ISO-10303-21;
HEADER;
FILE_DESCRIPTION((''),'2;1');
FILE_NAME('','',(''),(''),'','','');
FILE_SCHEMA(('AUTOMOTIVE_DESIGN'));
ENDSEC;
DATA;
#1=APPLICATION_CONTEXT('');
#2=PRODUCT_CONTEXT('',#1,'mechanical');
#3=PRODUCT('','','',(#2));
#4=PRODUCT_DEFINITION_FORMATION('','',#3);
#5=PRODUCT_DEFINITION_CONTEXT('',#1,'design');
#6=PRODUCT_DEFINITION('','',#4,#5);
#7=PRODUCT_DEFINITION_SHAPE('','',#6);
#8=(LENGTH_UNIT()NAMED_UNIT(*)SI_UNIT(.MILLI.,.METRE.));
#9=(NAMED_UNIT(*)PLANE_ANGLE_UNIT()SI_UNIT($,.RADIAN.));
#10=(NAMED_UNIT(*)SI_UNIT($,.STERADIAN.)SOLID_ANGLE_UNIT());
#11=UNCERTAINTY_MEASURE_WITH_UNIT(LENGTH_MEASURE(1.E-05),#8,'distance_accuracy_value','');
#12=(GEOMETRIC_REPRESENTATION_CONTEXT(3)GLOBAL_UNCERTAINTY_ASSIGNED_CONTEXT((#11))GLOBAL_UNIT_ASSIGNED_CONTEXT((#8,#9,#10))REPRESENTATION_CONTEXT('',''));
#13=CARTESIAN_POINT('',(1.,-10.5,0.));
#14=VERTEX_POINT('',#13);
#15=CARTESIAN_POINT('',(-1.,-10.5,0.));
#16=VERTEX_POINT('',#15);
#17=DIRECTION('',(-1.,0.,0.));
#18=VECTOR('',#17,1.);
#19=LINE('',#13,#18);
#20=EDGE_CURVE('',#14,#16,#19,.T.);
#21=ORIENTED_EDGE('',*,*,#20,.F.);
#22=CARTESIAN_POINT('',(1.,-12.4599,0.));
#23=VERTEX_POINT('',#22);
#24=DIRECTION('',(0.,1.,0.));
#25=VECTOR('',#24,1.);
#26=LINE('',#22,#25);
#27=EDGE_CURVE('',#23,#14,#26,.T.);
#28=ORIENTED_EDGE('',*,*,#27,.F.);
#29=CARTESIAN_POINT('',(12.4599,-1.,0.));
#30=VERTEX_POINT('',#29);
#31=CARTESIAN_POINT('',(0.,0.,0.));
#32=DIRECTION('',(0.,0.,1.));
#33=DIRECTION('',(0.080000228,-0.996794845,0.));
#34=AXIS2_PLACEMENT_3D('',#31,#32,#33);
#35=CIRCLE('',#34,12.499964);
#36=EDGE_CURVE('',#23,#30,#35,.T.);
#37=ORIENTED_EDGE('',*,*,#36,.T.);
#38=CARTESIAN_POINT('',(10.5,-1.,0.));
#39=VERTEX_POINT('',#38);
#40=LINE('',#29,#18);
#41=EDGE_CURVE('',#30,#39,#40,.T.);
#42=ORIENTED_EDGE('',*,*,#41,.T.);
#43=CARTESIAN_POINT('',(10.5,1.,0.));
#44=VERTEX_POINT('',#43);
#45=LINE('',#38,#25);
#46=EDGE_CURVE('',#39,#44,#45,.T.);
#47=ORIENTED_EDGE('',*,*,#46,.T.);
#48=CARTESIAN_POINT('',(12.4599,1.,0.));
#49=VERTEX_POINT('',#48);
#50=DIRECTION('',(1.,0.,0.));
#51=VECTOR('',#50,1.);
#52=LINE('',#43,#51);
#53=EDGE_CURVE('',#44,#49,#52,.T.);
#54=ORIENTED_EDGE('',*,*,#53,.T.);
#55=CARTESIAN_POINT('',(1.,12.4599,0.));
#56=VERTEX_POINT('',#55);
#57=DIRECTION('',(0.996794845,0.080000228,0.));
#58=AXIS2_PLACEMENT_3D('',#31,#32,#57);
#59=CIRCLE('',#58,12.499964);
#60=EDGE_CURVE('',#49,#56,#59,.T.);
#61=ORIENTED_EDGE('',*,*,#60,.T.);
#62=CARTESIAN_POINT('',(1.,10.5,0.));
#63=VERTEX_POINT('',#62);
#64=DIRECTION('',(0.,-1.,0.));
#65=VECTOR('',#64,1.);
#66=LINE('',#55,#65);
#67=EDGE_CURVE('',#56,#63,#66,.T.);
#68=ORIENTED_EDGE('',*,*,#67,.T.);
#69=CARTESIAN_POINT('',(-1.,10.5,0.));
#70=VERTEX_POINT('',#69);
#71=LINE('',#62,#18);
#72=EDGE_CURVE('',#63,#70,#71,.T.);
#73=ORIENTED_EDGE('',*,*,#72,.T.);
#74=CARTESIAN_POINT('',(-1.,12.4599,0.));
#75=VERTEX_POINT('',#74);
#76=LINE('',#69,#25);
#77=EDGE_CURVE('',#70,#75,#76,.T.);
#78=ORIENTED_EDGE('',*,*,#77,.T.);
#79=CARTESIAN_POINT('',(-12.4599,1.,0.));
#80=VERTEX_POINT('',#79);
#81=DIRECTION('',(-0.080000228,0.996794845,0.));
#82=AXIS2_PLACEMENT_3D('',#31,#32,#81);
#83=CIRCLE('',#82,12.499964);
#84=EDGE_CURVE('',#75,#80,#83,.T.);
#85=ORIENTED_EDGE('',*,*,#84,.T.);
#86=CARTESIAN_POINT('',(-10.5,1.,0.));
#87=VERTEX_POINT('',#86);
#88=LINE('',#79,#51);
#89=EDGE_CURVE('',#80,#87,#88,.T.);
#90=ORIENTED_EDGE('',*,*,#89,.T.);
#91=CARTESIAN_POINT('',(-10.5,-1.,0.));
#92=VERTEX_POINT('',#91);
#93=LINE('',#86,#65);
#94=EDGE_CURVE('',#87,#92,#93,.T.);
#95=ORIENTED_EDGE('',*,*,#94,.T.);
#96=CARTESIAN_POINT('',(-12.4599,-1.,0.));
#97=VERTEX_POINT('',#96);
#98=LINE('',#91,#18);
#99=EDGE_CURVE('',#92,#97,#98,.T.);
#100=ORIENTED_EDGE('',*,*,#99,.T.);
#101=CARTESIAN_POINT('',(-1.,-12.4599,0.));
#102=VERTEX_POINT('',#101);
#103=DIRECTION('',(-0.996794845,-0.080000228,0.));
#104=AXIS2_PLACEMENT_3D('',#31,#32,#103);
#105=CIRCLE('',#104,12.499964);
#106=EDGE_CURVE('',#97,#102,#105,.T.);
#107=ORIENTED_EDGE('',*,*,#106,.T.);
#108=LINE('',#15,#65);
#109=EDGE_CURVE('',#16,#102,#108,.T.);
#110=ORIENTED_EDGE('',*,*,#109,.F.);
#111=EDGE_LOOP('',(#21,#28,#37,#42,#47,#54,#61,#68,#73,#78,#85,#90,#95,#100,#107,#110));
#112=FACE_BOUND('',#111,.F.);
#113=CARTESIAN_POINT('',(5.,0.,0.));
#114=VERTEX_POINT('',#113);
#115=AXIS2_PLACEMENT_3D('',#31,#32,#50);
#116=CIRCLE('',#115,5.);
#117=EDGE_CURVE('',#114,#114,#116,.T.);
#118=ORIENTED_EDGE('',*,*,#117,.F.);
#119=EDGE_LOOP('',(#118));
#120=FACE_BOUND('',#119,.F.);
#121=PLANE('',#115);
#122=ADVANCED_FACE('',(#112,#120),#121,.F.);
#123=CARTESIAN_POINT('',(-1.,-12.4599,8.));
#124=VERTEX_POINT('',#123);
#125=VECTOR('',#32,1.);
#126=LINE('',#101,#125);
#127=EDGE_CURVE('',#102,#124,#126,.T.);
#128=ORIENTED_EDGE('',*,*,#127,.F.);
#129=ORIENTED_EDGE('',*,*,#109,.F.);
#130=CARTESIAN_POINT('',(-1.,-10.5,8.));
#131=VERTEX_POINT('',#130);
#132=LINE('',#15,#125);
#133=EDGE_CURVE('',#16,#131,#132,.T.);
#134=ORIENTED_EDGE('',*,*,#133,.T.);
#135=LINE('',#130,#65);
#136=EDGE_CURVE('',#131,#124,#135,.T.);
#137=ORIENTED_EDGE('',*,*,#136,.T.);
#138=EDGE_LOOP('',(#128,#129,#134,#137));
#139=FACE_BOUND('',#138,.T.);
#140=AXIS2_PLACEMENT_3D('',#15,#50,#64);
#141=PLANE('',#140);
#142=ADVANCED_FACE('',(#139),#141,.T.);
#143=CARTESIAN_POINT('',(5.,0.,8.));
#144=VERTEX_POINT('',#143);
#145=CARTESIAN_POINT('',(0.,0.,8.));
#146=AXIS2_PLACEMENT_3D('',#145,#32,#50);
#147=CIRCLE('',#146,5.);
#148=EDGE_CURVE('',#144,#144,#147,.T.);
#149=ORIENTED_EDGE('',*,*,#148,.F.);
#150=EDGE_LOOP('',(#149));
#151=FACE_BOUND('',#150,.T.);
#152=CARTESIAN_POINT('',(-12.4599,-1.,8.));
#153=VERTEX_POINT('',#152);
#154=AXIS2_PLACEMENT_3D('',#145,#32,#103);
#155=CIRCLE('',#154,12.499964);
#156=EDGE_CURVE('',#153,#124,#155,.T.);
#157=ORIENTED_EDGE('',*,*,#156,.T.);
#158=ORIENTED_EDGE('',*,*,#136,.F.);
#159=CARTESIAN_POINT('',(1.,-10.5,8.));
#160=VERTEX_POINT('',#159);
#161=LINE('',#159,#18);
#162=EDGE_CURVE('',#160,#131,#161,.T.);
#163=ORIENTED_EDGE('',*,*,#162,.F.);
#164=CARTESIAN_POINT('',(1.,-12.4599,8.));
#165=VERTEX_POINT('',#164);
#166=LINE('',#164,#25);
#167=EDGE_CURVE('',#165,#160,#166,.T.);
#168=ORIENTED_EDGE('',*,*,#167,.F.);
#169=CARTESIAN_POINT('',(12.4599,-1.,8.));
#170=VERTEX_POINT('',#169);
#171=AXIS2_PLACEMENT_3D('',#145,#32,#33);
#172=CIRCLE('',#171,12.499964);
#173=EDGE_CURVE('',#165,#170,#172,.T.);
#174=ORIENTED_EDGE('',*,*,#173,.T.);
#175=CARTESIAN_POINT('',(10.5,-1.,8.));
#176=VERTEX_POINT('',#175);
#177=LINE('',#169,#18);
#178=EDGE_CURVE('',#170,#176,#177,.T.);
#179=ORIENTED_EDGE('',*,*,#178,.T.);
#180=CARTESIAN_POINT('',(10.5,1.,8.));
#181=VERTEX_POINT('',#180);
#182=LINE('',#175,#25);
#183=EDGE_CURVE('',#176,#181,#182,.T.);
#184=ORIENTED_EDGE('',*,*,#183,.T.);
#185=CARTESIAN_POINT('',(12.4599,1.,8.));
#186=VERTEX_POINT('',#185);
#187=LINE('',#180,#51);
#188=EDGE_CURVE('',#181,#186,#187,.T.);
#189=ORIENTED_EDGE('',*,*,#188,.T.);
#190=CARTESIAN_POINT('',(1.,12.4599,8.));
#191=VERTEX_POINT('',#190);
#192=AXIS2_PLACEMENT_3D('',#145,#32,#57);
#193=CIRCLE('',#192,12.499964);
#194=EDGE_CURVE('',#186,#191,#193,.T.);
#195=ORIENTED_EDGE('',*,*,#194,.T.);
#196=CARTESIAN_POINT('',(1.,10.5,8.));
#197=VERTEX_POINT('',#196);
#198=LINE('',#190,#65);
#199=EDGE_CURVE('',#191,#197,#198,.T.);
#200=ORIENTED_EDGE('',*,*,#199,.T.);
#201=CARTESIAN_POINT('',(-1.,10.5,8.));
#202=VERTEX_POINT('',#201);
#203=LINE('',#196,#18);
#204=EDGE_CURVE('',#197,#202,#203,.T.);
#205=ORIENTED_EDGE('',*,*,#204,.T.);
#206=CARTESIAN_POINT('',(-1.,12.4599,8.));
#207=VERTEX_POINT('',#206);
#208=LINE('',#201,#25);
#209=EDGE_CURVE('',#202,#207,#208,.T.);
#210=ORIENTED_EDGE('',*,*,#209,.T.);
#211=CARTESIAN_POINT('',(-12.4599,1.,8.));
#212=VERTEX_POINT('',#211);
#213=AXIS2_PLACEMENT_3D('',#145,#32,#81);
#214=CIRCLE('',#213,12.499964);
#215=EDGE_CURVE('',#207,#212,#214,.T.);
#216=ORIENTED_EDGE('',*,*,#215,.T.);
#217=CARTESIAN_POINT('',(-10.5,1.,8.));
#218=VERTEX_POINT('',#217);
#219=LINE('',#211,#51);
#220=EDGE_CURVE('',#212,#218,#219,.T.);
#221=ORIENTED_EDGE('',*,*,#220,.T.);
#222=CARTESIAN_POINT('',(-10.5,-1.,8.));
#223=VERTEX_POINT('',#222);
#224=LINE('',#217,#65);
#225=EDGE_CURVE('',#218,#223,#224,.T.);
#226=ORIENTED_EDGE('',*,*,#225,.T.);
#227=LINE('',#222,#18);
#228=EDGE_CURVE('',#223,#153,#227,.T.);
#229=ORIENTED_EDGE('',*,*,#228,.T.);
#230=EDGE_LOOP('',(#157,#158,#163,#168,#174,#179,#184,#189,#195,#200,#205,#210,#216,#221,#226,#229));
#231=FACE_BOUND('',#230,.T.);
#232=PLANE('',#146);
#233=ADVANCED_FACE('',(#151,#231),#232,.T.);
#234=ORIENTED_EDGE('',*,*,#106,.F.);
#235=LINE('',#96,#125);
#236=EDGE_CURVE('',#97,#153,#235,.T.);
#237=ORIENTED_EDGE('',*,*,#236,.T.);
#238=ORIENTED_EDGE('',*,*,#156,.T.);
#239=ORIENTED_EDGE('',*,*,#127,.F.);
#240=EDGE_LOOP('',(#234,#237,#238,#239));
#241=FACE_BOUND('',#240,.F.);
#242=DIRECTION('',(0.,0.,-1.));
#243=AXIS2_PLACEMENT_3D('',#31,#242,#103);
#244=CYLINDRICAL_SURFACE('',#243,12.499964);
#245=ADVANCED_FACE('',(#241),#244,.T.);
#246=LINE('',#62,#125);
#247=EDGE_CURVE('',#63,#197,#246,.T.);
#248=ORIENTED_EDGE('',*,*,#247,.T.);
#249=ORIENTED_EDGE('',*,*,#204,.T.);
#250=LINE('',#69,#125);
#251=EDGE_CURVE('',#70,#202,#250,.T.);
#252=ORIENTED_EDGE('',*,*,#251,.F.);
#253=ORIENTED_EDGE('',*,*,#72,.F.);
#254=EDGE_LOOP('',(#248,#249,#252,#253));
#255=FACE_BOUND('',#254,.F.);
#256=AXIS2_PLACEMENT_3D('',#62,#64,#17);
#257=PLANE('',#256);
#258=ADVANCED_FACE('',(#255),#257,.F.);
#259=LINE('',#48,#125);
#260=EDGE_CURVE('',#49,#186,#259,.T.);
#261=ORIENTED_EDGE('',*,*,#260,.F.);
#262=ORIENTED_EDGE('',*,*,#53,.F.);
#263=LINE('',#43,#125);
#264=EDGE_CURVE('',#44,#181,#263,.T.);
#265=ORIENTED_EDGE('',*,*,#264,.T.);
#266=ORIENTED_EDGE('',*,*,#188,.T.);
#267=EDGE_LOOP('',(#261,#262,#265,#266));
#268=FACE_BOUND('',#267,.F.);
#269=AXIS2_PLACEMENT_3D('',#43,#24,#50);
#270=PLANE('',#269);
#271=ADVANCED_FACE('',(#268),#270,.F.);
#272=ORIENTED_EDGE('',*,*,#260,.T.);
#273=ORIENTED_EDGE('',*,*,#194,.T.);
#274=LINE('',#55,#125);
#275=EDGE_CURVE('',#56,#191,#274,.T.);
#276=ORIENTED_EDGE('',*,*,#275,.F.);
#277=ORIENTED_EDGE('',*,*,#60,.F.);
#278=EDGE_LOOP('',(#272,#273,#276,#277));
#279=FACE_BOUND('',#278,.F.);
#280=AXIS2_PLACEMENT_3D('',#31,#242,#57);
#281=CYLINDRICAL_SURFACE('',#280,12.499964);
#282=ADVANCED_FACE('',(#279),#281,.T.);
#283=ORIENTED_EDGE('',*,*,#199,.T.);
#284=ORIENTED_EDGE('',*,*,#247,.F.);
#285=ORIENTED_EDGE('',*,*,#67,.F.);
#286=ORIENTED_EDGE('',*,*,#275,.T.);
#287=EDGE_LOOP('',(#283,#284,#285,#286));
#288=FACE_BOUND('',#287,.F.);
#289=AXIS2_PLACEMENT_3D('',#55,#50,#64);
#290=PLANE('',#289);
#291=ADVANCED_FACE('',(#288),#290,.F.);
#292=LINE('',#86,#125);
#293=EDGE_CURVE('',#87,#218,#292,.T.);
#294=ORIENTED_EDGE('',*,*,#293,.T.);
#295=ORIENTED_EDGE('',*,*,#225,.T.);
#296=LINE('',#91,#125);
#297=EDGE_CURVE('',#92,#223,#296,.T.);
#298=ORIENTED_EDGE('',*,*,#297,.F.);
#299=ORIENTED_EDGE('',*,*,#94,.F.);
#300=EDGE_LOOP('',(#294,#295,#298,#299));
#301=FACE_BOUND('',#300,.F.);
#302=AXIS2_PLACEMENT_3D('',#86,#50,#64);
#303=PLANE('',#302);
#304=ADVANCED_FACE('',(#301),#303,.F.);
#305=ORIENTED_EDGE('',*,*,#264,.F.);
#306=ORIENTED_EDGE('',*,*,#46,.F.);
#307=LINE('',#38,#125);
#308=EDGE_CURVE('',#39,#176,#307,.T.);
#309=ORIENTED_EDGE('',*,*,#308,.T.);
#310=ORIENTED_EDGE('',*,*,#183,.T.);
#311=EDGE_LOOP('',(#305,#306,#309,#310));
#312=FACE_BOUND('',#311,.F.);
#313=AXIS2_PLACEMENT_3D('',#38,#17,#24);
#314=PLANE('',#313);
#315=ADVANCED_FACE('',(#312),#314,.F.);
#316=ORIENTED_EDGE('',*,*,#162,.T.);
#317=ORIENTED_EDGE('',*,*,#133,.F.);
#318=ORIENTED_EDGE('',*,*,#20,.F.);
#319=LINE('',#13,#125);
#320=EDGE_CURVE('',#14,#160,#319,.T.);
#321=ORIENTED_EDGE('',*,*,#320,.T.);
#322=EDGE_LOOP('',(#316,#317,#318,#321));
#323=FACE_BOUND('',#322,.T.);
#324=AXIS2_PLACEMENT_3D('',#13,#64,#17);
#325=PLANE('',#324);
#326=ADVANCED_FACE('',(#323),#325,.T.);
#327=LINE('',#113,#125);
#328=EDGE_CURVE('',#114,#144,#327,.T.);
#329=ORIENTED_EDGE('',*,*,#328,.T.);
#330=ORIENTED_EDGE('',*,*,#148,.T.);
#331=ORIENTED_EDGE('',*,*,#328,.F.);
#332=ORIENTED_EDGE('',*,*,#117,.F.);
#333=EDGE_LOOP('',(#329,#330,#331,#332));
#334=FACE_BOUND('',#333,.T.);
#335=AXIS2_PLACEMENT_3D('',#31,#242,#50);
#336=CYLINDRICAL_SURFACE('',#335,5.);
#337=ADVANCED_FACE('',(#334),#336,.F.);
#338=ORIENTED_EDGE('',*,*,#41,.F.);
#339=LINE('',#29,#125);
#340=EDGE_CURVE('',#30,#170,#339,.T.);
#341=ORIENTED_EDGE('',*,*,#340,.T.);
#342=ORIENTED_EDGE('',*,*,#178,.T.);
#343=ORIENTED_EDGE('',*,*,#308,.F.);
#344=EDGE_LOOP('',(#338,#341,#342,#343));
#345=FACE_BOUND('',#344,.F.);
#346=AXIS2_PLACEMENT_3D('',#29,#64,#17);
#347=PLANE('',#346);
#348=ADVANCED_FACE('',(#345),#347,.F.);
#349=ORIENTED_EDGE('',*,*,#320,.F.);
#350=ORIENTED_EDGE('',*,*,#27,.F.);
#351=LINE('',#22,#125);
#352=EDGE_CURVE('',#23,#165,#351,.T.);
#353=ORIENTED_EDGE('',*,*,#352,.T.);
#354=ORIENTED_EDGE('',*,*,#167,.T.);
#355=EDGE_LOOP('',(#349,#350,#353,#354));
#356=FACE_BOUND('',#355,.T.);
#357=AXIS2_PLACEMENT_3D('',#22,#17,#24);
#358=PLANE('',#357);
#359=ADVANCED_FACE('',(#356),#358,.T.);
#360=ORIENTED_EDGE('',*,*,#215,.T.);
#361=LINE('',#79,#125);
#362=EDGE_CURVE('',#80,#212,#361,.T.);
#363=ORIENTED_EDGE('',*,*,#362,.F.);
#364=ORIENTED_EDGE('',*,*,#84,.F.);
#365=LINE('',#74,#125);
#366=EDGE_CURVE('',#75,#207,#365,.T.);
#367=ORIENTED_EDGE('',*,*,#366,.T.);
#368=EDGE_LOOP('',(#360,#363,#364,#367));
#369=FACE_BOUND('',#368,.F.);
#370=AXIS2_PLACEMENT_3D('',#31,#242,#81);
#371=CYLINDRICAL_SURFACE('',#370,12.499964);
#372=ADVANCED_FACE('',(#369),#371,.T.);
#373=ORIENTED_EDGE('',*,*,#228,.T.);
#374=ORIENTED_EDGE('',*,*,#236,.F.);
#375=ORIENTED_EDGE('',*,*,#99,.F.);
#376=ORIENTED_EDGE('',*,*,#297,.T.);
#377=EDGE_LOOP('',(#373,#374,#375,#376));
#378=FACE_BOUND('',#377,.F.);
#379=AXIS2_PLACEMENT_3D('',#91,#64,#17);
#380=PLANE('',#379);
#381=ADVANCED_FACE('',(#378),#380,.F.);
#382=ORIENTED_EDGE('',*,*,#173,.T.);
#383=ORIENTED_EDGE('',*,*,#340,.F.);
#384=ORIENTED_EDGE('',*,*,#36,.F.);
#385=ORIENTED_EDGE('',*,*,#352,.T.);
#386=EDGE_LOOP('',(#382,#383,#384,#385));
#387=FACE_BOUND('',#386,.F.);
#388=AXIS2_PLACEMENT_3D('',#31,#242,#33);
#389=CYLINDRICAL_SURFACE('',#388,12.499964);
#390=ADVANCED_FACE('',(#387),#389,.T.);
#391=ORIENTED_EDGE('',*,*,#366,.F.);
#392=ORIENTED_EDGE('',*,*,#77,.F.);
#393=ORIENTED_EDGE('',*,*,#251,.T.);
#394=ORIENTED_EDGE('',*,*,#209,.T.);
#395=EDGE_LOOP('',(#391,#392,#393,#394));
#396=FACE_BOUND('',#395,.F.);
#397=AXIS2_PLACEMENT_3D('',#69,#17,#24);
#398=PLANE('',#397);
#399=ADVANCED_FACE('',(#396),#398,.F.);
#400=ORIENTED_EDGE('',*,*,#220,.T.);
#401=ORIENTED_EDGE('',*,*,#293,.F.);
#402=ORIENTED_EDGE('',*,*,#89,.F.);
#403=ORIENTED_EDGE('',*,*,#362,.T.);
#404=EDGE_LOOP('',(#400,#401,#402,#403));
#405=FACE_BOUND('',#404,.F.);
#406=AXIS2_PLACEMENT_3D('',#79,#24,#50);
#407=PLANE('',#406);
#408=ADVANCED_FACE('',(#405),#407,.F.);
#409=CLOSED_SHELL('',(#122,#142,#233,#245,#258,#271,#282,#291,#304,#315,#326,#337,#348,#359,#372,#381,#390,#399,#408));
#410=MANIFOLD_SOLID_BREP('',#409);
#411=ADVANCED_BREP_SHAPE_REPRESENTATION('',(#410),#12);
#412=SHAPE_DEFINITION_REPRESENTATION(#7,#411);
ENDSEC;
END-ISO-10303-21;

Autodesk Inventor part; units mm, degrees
ref_plane "YZ Plane" through (0, 0, 0) normal (1, 0, 0) x (0, 1, 0)
ref_plane "XZ Plane" through (0, 0, 0) normal (0, 1, 0) x (-1, 0, 0)
ref_plane "XY Plane" through (0, 0, 0) normal (0, 0, 1) x (1, 0, 0)
sketch "Sketch1" plane through (0, 0, 0) normal (0, 0, 1) x (1, 0, 0)
  circle A0 centre (0, 0) radius 5
  line L0 (-12.4599, 1) -> (-10.5, 1)
  line L1 (-10.5, 1) -> (-10.5, -1)
  line L2 (-10.5, -1) -> (-12.4599, -1)
  line L3 (-14.5, 1) -> (-10.5, -1) construction
  line L4 (-10.5, 1) -> (-14.5, -1) construction
  line L5 (1, 12.4599) -> (1, 10.5)
  line L6 (1, 10.5) -> (-1, 10.5)
  line L7 (-1, 10.5) -> (-1, 12.4599)
  line L8 (-1, 14.5) -> (1, 10.5) construction
  line L9 (1, 14.5) -> (-1, 10.5) construction
  line L10 (10.5, 1) -> (12.4599, 1)
  line L11 (12.4599, -1) -> (10.5, -1)
  line L12 (10.5, -1) -> (10.5, 1)
  line L13 (10.5, 1) -> (14.5, -1) construction
  line L14 (14.5, 1) -> (10.5, -1) construction
  line L15 (1, -12.4599) -> (1, -10.5)
  line L16 (1, -10.5) -> (-1, -10.5)
  line L17 (-1, -10.5) -> (-1, -12.4599)
  line L18 (-1, -14.5) -> (1, -10.5) construction
  line L19 (1, -14.5) -> (-1, -10.5) construction
  arc A1 (-1, 12.4599) -> (-12.4599, 1) centre (0, 0) ccw
  arc A2 (12.4599, 1) -> (1, 12.4599) centre (0, 0) ccw
  arc A3 (-12.4599, -1) -> (-1, -12.4599) centre (0, 0) ccw
  arc A4 (1, -12.4599) -> (12.4599, -1) centre (0, 0) ccw
  dimension "d0" = 10
  dimension "d10" = 21
extrude "Extrusion1" add sketch "Sketch1" along normal blind 8
properties part number "Cubierta de acoplamiento"
